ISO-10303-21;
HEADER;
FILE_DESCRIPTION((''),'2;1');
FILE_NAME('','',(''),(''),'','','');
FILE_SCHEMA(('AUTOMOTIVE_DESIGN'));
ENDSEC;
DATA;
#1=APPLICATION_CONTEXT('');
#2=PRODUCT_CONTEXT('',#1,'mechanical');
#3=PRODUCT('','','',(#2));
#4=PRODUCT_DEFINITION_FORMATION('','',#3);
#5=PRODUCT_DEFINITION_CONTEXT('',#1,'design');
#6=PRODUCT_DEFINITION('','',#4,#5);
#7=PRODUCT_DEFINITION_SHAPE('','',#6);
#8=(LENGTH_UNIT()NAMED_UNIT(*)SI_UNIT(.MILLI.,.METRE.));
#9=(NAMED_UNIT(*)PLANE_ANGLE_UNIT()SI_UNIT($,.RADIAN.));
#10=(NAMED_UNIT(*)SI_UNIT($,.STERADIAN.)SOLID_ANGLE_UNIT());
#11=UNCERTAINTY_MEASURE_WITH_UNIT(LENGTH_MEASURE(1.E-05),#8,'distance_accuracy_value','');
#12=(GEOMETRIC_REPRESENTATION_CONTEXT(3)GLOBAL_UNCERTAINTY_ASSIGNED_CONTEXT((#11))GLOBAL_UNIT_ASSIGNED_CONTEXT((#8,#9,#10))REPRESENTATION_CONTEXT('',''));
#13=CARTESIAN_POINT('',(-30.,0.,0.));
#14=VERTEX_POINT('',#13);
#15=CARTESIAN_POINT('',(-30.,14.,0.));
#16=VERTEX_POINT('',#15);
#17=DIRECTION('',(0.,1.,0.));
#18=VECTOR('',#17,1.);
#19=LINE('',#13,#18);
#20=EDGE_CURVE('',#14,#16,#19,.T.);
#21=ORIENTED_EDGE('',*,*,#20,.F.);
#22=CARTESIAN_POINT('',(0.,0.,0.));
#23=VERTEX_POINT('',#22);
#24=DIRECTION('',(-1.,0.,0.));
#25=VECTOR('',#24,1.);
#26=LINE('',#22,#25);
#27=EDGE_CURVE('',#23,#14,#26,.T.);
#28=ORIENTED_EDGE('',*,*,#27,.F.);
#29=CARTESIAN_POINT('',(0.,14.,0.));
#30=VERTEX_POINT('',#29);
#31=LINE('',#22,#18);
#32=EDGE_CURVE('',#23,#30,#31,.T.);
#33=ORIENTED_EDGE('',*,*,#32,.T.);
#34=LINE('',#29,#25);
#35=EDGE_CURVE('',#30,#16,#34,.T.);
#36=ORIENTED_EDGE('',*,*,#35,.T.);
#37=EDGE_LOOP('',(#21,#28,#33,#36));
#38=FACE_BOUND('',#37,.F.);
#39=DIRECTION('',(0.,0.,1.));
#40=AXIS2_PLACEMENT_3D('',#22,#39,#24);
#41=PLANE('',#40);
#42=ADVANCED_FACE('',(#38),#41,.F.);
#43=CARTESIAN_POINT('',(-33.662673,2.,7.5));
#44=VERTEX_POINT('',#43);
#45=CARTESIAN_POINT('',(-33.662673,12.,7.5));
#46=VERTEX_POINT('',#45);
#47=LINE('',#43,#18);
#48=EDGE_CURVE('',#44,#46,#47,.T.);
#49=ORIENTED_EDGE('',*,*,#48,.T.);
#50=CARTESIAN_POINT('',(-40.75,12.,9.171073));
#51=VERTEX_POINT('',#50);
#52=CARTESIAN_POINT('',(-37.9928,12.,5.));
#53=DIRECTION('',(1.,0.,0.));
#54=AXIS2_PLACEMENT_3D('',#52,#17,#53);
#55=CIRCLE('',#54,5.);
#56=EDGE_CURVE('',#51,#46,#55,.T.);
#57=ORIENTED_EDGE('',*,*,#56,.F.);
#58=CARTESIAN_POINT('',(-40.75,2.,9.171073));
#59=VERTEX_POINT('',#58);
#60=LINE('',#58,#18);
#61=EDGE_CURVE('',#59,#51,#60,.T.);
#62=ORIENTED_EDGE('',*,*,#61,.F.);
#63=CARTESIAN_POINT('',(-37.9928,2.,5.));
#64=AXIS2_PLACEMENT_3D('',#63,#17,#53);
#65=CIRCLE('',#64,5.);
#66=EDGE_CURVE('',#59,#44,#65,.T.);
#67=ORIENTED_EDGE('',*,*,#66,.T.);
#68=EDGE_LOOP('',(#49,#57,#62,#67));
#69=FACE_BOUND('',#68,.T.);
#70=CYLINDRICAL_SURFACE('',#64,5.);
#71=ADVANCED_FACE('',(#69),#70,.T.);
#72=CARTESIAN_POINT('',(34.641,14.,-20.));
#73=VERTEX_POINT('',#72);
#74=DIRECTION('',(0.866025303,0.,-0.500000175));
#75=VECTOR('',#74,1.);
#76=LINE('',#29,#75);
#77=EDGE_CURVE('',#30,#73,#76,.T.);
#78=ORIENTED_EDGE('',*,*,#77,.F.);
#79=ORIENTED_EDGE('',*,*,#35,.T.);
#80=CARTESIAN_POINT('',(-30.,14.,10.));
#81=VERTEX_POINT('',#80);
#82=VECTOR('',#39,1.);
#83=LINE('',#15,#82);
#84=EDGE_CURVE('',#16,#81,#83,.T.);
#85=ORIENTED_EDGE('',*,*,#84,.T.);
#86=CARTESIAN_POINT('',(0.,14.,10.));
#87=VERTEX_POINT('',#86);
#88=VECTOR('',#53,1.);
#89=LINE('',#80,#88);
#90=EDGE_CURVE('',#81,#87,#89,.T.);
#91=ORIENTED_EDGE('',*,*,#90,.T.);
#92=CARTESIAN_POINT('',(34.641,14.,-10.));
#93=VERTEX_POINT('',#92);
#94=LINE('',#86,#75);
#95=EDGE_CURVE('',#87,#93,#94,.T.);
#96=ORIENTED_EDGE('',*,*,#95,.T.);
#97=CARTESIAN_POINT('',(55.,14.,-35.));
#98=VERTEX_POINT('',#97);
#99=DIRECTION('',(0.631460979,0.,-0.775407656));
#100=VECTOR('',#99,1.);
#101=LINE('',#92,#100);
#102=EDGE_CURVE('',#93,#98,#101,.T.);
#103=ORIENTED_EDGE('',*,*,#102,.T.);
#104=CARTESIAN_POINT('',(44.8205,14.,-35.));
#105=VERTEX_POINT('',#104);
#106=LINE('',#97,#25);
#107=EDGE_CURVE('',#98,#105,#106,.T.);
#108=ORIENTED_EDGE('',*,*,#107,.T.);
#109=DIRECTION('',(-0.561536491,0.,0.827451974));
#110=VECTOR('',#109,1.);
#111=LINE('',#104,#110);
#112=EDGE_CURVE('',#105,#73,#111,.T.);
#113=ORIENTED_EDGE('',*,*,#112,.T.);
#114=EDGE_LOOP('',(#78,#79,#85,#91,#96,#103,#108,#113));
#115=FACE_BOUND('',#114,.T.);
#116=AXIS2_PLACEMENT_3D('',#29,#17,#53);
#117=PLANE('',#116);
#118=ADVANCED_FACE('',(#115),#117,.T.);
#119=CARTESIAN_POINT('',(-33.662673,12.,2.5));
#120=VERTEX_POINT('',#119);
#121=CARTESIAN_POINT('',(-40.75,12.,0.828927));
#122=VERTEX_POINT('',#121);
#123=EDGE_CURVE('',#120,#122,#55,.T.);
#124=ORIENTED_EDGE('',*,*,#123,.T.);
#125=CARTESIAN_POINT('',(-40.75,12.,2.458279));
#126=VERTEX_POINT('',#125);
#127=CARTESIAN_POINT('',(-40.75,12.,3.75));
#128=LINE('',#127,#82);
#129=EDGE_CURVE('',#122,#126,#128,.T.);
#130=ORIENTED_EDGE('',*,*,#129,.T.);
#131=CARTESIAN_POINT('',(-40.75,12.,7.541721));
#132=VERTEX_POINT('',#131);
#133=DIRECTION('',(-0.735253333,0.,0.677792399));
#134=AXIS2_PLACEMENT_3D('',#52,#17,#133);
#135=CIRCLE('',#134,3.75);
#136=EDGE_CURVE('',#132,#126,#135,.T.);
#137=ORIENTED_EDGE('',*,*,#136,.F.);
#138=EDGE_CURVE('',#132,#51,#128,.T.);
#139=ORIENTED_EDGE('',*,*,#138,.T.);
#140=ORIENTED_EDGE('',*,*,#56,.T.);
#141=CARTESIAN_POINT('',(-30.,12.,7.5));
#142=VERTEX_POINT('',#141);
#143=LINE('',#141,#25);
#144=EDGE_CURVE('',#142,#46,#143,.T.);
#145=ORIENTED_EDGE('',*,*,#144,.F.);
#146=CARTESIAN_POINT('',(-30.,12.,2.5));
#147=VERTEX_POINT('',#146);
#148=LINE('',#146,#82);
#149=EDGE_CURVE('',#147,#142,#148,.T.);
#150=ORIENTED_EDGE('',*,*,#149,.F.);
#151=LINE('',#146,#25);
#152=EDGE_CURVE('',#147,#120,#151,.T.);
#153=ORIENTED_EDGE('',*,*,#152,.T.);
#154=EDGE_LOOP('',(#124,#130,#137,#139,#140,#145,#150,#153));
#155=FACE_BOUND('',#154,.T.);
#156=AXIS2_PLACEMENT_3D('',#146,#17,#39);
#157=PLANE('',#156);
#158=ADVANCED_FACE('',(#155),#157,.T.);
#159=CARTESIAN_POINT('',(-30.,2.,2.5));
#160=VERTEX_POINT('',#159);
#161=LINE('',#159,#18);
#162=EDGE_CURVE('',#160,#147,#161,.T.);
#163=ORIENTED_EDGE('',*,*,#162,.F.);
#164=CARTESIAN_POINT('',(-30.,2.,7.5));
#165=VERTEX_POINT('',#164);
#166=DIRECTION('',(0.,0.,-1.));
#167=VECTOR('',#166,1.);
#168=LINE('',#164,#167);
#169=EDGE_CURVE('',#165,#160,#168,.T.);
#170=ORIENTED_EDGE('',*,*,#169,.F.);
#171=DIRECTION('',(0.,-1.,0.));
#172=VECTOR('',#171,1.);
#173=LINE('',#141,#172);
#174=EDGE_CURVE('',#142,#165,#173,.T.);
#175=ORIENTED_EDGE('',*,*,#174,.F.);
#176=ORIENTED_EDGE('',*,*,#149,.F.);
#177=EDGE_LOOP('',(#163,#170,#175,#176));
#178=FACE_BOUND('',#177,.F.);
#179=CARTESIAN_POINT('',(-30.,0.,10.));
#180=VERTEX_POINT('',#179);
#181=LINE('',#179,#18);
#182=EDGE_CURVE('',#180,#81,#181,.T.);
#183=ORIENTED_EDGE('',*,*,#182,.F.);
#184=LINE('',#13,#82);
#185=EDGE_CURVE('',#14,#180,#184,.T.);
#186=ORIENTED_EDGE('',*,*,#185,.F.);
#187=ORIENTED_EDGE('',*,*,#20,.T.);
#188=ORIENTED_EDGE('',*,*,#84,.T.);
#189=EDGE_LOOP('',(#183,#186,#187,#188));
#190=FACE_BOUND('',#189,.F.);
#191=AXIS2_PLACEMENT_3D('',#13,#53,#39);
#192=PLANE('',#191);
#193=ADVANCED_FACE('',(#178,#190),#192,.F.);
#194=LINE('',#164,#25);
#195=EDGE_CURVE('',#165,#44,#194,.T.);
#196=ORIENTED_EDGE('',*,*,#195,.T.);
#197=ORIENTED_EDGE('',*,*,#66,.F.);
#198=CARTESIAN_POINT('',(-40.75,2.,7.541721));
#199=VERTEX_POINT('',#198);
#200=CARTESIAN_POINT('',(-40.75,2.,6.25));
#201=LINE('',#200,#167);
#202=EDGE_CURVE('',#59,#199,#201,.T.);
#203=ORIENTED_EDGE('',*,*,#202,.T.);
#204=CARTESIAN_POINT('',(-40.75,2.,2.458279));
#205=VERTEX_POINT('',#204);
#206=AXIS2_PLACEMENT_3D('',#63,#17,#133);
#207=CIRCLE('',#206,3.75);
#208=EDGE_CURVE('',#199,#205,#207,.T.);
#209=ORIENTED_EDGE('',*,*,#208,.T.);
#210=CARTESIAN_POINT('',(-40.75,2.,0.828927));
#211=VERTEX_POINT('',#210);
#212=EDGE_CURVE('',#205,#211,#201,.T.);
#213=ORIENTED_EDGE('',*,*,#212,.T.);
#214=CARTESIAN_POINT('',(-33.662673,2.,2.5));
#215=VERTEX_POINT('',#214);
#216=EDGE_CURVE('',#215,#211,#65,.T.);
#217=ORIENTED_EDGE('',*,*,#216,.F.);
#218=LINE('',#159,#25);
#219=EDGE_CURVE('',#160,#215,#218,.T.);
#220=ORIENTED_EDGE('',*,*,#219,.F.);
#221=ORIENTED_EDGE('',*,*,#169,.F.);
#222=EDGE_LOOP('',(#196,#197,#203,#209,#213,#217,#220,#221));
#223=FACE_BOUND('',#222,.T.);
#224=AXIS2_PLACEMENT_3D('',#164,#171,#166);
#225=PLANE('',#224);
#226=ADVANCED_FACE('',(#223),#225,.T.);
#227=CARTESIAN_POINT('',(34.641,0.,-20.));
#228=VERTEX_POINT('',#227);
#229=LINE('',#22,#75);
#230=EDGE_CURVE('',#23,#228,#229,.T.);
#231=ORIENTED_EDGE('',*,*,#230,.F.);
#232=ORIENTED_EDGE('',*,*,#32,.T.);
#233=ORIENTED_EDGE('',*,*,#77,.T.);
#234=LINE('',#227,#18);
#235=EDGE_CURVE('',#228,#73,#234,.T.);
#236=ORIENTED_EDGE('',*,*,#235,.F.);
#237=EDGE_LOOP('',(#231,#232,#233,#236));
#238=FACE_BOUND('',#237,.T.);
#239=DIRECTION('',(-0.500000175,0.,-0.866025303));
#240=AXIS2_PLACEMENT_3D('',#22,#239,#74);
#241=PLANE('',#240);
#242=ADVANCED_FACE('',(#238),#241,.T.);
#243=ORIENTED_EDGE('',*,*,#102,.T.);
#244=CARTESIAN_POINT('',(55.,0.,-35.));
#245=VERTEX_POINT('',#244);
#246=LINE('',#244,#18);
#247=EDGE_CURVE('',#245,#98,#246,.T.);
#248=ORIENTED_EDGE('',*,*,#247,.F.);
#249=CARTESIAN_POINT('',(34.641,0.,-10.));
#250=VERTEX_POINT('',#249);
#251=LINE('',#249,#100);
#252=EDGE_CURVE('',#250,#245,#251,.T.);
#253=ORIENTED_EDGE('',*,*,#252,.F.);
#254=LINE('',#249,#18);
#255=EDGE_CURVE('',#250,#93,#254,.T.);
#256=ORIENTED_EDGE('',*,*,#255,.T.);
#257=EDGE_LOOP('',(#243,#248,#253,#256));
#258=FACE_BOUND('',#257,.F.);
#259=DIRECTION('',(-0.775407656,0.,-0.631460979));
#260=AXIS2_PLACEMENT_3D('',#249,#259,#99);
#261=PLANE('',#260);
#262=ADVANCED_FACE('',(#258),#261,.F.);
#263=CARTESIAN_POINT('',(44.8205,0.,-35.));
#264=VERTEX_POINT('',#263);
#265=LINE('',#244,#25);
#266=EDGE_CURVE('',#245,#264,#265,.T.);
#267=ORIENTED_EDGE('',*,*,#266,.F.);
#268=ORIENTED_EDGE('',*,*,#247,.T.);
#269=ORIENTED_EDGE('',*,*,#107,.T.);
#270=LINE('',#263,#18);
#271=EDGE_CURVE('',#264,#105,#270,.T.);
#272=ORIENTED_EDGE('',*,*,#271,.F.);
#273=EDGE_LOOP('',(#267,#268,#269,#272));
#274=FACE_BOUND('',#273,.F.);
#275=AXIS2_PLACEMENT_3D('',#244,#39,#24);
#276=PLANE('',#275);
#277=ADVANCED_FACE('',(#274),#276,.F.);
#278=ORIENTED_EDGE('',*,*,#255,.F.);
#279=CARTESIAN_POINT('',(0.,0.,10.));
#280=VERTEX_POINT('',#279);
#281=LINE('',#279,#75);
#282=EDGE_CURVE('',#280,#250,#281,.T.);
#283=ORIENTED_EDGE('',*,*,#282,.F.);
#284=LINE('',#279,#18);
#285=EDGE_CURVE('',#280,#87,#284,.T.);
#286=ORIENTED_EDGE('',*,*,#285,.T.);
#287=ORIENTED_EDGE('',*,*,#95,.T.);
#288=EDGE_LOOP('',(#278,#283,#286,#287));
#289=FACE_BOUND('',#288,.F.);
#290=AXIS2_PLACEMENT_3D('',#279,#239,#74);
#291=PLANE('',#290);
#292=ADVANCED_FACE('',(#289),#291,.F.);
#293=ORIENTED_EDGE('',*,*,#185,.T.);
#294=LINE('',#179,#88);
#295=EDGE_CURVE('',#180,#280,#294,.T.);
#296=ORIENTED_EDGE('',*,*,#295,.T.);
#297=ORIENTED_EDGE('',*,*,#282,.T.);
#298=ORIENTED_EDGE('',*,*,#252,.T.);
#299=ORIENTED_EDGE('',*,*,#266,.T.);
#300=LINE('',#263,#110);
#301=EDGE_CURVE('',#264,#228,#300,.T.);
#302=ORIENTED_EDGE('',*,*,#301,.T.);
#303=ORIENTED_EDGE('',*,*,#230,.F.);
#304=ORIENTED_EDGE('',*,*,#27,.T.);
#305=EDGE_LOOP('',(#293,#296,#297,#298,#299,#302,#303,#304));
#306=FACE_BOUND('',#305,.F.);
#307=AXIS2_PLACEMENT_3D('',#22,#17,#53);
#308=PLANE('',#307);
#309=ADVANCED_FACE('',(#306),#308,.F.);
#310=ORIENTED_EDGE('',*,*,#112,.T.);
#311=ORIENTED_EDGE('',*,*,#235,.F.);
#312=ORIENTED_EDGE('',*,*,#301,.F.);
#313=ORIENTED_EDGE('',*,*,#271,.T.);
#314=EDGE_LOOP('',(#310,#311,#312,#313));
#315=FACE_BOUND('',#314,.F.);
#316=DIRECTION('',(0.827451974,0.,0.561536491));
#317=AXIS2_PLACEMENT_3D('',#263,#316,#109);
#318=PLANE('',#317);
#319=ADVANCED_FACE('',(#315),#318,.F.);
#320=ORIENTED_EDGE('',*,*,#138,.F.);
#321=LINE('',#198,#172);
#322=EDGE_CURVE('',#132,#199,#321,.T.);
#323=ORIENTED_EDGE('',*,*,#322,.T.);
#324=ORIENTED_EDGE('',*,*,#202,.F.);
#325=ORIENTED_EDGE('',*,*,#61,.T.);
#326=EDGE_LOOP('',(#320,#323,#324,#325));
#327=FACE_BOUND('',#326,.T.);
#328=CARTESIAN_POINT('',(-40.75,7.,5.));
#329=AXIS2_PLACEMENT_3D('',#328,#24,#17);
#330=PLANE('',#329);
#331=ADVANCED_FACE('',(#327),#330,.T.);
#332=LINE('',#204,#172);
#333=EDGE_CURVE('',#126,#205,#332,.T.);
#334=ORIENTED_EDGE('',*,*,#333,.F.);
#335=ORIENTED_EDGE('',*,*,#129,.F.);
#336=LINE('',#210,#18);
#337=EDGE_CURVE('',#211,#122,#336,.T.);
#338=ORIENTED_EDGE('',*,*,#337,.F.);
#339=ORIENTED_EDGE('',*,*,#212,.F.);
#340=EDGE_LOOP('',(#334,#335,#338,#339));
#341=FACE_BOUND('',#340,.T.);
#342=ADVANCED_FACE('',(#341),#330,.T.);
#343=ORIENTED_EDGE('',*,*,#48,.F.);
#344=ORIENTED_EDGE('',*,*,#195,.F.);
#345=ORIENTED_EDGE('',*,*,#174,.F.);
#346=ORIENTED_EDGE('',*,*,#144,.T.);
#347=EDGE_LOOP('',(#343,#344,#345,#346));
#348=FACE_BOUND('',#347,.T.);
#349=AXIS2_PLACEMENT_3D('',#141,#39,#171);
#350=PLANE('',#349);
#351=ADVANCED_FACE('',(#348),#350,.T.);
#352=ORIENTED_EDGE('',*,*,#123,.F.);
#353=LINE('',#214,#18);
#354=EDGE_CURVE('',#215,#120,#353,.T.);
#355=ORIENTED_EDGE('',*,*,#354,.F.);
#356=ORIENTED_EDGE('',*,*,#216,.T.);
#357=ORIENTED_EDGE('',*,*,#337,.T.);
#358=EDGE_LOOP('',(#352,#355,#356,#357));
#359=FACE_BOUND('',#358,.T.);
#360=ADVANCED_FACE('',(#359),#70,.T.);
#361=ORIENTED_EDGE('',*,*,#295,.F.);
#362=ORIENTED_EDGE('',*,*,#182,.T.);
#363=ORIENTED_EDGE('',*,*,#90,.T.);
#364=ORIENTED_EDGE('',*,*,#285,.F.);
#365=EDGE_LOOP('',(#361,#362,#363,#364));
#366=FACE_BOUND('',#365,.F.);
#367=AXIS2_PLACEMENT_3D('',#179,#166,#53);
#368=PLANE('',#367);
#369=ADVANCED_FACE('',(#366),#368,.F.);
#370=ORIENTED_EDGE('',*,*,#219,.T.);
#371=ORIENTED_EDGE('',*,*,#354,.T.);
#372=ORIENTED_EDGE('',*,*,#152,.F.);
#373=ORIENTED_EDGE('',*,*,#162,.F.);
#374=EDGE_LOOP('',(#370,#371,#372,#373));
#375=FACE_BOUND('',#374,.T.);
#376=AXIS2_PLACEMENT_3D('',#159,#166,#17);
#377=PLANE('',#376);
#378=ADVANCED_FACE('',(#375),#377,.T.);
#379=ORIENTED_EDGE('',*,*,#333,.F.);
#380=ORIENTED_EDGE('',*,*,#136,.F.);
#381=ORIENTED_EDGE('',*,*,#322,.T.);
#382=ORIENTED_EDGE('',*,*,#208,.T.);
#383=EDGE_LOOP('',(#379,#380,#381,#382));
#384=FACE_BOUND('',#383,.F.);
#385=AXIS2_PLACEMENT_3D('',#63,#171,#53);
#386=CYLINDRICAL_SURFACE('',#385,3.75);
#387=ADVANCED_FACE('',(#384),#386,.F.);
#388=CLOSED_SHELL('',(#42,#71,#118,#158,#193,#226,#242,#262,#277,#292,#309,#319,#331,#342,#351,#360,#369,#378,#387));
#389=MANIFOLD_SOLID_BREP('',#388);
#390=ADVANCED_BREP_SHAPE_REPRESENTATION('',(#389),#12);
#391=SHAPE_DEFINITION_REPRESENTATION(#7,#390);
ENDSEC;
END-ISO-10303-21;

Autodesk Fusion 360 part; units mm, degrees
sketch "Sketch1" plane through (0, 0, 0) normal (0, 1, 0) x (1, 0, 0)
  line L0 (0, 0) -> (-30, 0)
  line L1 (-30, 0) -> (-30, -10)
  line L2 (-30, -10) -> (0, -10)
  line L3 (0, -10) -> (0, 0)
  line L4 (0, 0) -> (34.641, 20)
  line L5 (0, 0) -> (40, 0) construction
  line L6 (0, -10) -> (34.641, 10)
  line L7 (34.641, 10) -> (55, 35)
  line L8 (55, 35) -> (44.8205, 35)
  line L9 (44.8205, 35) -> (34.641, 20)
  dimension "d1" = 30
  dimension "d2" = 10
  dimension "d3" = 40
  dimension "d4" = 30
extrude "Extrude1" add sketch "Sketch1" along normal blind 14
sketch "Sketch2" plane through (-30, 0, 0) normal (-1, 0, 0) x (0, -1, 0)
  line L0 (0, 0) -> (0, 10)
  line L1 (0, 10) -> (-14, 10)
  line L2 (-14, 10) -> (-14, 0)
  line L3 (-14, 0) -> (0, 0)
sketch "Sketch3" plane through (-30, 0, 0) normal (-1, 0, 0) x (0, -1, 0)
  line L0 (-12, 7.5) -> (-2, 7.5)
  line L1 (-2, 7.5) -> (-2, 2.5)
  line L2 (-2, 2.5) -> (-12, 2.5)
  line L3 (-12, 2.5) -> (-12, 7.5)
  line L4 (-14, 10) -> (-14, 0)
  line L5 (0, 10) -> (-14, 10)
  dimension "d7" = 10
  dimension "d8" = 5
  dimension "d9" = 2
  dimension "d10" = 2.5
extrude "Extrude2" add sketch "Sketch3" along normal blind 5
cylinder "CylinderPrimitive1" add diameter 10 height -10 placed x (1, 0, 0) y (0, 0, -1) z (0, 1, 0) at (-37.9928, 12, 5)
sketch "Sketch5" plane through (0, 2, 0) normal (0, -1, 0) x (1, 0, 0)
  arc A0 (-33.6627, 7.5) -> (-33.6627, 2.5) centre (-37.9928, 5) ccw
  line L0 (-33.6627, 2.5) -> (-30, 2.5)
  line L1 (-30, 2.5) -> (-30, 7.5)
  line L2 (-30, 7.5) -> (-33.6627, 7.5)
  circle A1 centre (-37.9928, 5) radius 3.75
  dimension "d15" = 7.5
extrude "Extrude3" cut sketch "Sketch5" against normal blind 35 contours A1
ref_plane "WorkPlane1" through (-45, 7, 5) normal (-1, 0, 0) x (0, -1, 0)
sketch "Sketch6" plane through (-45, 7, 5) normal (-1, 0, 0) x (0, 1, 0)
  line L0 (13.2157, -10.5168) -> (-13.0296, -10.5168)
  line L1 (-13.0296, -10.5168) -> (-13.0296, 7.5386)
  line L2 (-13.0296, 7.5386) -> (13.2157, 7.5386)
  line L3 (13.2157, 7.5386) -> (13.2157, -10.5168)
extrude "Extrude4" cut sketch "Sketch6" against normal blind 4.25
sketch "Sketch7" plane through (0, 2, 0) normal (0, -1, 0) x (1, 0, 0)
  line L0 (-40.75, 2.4583) -> (-40.75, 0.8289)
  arc A0 (-40.75, 0.8289) -> (-33.6627, 2.5) centre (-37.9928, 5) ccw
  line L1 (-33.6627, 2.5) -> (-30, 2.5)
  line L2 (-30, 2.5) -> (-30, 7.5)
  line L3 (-30, 7.5) -> (-33.6627, 7.5)
  arc A1 (-33.6627, 7.5) -> (-40.75, 9.1711) centre (-37.9928, 5) ccw
  line L4 (-40.75, 9.1711) -> (-40.75, 7.5417)
  arc A2 (-40.75, 2.4583) -> (-40.75, 7.5417) centre (-37.9928, 5) ccw
